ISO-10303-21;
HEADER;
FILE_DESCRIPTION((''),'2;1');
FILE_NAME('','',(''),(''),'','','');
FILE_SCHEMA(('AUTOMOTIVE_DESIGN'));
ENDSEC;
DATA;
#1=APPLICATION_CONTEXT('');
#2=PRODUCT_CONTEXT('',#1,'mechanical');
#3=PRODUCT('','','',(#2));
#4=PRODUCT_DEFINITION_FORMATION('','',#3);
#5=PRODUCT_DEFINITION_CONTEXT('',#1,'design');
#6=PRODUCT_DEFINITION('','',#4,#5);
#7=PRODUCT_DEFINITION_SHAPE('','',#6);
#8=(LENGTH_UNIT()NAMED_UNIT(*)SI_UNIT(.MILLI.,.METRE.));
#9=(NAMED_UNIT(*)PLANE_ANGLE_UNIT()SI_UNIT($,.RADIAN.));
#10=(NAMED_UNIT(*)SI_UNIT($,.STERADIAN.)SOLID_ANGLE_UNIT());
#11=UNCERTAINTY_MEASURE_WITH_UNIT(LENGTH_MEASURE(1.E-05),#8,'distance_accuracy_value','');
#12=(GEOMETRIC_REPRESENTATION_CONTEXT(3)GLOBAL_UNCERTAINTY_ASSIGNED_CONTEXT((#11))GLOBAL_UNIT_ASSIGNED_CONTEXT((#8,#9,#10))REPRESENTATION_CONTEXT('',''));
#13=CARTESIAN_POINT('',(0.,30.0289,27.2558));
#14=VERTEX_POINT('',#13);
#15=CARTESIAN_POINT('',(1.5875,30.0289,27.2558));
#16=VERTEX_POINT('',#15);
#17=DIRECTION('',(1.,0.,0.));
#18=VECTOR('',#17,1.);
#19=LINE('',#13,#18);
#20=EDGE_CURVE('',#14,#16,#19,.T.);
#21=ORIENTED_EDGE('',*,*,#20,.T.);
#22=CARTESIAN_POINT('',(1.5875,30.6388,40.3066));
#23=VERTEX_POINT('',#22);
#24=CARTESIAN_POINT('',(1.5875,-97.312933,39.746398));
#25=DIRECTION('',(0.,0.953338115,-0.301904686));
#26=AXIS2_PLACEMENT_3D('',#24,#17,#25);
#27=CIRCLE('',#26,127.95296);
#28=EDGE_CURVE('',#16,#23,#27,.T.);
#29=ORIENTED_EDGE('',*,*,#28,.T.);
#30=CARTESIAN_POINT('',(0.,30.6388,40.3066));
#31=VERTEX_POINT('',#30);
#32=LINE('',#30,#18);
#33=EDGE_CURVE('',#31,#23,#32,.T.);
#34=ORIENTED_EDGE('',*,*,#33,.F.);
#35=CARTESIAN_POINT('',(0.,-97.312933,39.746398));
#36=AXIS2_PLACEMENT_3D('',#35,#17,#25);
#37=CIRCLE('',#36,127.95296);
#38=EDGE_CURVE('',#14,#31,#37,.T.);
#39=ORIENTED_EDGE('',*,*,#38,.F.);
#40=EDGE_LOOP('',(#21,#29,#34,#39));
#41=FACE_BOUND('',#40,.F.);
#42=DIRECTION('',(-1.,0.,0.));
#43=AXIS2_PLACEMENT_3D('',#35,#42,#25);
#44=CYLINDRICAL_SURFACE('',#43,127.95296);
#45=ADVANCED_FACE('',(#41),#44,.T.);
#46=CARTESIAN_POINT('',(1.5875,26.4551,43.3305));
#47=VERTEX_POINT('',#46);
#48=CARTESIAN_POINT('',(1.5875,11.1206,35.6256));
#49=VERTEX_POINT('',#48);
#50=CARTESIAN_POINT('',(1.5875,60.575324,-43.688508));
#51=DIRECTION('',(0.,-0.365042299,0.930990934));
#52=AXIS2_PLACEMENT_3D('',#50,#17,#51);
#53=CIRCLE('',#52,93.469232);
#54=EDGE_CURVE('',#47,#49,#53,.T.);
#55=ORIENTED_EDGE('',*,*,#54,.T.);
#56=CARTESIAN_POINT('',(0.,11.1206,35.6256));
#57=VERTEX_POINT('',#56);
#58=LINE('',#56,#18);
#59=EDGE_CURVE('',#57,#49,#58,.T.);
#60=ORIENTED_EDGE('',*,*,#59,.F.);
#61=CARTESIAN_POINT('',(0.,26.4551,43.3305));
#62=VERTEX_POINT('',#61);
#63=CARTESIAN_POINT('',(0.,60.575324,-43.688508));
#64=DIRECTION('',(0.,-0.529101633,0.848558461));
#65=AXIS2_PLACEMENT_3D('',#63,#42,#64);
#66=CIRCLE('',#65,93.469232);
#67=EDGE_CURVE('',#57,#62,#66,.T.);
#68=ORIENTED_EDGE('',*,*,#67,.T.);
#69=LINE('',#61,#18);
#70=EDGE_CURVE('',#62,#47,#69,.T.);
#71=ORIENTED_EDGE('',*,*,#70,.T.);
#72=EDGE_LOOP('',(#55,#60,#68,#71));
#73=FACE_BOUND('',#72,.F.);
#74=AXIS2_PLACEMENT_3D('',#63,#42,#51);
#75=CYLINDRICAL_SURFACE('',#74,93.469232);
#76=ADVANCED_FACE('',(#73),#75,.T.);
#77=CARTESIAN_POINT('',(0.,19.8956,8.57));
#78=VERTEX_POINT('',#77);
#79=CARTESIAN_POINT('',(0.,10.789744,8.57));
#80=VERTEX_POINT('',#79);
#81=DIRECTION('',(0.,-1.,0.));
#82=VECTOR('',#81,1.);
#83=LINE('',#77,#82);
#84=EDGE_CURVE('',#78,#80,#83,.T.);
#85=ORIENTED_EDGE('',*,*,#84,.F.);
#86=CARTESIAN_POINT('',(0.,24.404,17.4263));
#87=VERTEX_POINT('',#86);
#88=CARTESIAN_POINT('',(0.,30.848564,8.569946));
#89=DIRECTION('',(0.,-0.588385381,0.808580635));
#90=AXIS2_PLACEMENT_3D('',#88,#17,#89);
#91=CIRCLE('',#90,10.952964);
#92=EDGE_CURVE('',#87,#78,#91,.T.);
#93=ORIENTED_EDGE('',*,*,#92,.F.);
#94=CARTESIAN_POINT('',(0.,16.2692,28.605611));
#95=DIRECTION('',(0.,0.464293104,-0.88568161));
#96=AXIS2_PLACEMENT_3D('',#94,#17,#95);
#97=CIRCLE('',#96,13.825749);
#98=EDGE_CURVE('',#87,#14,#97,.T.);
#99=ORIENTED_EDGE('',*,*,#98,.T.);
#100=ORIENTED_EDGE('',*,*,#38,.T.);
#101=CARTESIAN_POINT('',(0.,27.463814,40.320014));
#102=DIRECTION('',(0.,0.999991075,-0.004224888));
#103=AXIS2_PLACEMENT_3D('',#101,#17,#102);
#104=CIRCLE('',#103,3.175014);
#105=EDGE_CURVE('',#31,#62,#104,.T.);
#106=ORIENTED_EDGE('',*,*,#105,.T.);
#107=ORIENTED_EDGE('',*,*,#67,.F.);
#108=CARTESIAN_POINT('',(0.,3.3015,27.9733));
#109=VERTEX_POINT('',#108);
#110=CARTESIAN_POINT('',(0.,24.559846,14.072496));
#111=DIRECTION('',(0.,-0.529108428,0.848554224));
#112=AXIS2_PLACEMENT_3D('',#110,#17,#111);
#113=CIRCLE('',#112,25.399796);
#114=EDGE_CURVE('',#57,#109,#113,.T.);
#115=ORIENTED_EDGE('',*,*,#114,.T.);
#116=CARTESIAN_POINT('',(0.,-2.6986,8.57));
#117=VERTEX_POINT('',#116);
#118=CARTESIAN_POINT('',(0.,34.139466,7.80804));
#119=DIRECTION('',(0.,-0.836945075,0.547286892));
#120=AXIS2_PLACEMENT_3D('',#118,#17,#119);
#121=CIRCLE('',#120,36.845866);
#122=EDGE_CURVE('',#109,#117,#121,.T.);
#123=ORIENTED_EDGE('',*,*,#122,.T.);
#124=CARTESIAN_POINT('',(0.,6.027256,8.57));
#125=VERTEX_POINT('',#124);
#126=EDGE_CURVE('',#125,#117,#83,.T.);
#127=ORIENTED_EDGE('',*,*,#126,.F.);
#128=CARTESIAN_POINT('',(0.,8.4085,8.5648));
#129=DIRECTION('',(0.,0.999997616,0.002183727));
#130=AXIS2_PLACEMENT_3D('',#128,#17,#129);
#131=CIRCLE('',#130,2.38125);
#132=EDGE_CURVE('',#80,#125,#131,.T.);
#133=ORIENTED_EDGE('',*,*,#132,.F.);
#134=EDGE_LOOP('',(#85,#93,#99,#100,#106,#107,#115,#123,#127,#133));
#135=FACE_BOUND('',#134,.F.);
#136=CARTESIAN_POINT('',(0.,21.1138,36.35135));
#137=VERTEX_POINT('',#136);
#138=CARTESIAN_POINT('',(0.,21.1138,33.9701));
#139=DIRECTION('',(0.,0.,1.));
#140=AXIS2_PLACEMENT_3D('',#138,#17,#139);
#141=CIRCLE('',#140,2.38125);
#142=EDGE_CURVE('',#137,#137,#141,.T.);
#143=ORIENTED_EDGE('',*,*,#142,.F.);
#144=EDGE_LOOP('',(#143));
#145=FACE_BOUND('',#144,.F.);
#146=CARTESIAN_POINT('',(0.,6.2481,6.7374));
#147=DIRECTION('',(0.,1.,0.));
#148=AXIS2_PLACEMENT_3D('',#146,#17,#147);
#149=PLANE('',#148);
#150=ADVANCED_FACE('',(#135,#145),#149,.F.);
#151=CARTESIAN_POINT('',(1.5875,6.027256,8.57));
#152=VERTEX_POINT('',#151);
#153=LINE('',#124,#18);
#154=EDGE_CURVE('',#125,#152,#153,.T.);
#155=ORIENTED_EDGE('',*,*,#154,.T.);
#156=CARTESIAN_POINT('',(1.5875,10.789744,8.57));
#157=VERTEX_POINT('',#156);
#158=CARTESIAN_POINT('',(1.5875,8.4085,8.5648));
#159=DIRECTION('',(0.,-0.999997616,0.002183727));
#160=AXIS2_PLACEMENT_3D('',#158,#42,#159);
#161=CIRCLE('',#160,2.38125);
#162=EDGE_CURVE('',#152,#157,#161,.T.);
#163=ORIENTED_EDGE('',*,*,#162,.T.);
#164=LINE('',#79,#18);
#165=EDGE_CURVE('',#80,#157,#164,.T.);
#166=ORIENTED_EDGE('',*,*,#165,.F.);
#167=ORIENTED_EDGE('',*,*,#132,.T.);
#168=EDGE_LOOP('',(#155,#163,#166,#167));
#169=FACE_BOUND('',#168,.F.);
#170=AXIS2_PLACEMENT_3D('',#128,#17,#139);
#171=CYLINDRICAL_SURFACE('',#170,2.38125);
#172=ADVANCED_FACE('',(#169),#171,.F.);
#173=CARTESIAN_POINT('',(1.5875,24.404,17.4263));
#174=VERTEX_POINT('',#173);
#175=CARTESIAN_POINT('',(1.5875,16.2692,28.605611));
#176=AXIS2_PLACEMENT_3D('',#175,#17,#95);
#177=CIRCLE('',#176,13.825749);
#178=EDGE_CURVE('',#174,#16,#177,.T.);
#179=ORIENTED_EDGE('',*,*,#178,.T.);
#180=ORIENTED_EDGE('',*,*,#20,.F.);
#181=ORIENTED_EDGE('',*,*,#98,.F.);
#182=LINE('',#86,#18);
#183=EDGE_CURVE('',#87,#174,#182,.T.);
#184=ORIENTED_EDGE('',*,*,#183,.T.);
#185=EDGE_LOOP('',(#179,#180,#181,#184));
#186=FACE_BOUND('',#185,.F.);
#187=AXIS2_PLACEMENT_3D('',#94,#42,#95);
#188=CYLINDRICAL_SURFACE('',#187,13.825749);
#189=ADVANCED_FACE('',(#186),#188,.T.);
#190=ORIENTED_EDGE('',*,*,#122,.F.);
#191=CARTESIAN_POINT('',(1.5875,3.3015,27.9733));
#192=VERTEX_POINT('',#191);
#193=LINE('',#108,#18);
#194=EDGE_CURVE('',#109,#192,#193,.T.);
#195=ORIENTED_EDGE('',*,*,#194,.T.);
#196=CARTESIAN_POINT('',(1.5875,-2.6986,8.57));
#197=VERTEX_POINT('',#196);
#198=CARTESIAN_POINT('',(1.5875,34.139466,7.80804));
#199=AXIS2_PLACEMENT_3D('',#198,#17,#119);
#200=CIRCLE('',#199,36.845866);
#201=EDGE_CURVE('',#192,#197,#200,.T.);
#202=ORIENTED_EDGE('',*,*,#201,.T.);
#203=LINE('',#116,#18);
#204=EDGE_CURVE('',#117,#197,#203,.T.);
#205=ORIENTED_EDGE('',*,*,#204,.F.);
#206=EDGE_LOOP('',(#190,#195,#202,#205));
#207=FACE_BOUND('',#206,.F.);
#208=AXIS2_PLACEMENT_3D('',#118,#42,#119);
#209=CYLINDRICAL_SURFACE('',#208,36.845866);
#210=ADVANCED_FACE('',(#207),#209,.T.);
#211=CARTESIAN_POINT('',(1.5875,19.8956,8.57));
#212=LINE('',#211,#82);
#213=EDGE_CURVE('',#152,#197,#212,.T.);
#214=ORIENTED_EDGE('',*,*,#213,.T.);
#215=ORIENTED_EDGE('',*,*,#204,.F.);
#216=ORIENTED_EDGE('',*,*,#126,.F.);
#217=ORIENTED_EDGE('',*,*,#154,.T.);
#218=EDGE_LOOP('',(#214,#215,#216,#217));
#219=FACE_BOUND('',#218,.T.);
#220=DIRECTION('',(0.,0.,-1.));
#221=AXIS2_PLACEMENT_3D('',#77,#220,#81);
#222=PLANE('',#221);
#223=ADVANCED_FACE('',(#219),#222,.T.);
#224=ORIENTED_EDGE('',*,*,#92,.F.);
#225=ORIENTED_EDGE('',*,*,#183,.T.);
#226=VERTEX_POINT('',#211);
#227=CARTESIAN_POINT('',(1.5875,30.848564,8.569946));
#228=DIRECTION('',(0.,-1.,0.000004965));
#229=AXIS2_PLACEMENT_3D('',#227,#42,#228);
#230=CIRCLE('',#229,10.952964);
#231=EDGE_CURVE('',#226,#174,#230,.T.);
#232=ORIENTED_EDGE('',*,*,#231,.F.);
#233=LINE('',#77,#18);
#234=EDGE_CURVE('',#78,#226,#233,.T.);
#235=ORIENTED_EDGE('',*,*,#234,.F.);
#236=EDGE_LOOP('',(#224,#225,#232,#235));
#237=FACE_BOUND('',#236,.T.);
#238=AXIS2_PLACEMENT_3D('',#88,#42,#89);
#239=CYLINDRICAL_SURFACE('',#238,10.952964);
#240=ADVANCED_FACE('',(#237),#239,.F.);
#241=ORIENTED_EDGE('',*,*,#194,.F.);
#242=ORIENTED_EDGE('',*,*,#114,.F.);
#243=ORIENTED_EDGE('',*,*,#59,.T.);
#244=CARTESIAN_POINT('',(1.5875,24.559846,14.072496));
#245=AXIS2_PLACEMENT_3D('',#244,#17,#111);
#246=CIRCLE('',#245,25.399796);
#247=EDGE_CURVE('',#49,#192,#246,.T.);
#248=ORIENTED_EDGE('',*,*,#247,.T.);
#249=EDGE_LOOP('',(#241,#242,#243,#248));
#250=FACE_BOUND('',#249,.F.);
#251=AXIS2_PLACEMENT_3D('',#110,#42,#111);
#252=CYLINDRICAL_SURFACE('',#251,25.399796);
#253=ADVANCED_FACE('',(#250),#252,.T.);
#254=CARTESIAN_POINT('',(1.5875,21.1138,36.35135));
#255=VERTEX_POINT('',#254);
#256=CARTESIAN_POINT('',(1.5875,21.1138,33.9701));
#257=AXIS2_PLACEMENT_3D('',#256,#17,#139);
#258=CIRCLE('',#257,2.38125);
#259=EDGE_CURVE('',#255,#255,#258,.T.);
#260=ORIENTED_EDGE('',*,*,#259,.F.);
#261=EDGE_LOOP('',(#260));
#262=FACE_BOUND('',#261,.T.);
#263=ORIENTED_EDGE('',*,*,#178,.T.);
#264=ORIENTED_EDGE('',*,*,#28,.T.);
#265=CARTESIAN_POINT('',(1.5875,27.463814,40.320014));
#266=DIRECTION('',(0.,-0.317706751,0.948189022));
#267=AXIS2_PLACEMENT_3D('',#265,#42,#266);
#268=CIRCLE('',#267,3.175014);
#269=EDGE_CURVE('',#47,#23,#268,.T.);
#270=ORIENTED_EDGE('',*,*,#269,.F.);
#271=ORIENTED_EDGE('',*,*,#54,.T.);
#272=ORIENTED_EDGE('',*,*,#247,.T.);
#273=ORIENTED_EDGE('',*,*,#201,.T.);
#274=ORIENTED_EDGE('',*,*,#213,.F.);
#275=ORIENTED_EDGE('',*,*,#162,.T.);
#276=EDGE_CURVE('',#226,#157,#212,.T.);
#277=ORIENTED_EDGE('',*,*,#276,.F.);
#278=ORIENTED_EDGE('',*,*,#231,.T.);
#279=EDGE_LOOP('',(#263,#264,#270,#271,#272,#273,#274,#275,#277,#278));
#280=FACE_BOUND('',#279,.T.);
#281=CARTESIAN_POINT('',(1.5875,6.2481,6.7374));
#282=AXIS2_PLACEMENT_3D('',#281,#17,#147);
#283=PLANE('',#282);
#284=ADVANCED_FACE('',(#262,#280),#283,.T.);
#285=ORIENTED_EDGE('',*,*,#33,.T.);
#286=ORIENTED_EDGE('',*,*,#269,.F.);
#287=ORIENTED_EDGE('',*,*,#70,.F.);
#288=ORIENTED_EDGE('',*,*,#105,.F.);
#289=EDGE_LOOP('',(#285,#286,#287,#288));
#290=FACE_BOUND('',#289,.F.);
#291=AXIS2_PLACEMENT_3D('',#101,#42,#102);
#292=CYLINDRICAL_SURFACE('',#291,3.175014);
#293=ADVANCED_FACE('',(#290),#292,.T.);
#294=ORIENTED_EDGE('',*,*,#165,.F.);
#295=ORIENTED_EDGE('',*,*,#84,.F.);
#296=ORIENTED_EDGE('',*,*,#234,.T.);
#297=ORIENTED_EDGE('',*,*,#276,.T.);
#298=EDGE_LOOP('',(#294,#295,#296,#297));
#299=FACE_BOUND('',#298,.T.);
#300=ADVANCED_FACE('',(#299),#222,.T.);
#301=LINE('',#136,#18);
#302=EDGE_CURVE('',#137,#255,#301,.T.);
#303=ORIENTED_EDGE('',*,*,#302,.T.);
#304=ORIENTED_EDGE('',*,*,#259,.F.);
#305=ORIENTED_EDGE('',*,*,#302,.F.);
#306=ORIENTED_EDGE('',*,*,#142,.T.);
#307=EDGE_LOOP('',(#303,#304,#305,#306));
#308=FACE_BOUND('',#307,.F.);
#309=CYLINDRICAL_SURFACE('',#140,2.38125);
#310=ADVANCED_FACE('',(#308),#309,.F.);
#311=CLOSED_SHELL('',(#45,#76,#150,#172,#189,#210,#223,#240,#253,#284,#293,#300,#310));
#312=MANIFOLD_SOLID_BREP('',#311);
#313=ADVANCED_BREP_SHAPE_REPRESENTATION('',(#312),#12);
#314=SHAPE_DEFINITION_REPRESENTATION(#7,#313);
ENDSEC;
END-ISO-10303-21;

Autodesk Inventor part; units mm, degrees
ref_plane "YZ Plane" through (0, 0, 0) normal (1, 0, 0) x (0, 1, 0)
ref_plane "XZ Plane" through (0, 0, 0) normal (0, 1, 0) x (-1, 0, 0)
ref_plane "XY Plane" through (0, 0, 0) normal (0, 0, 1) x (1, 0, 0)
sketch "Sketch1" plane through (0, 6.2481, 6.7374) normal (1, 0, 0) x (0, 1, 0)
  line L0 (21.1383, 36.7567) -> (20.6141, 36.7567)
  arc A0 (24.3907, 33.5692) -> (18.0407, 33.5826) centre (21.2157, 33.5826) ccw
  arc A1 (14.8657, -15.4374) -> (16.4404, -11.3937) centre (-103.5619, 33.0092) ccw
  arc A2 (18.4214, -5.6206) -> (14.8657, -28.6257) centre (91.0657, -28.6257) ccw
  arc A3 (20.207, 36.5931) -> (4.8725, 28.8882) centre (54.3249, -50.4207) ccw
  arc A4 (18.4214, -5.6206) -> (24.3907, 33.5692) centre (-103.5619, 33.0092) ccw
  line L1 (14.8657, 1.8326) -> (14.8657, 27.2326)
  line L2 (14.8657, 1.8326) -> (14.8657, 33.5826)
  line L3 (-10.5343, 1.8326) -> (14.8657, 1.8326) construction
  line L4 (-10.5343, 1.8326) -> (-10.5343, 27.2326)
  line L5 (-10.5343, 1.8326) -> (-23.2343, 1.8326)
  line L6 (-10.5343, 1.8326) -> (-10.5395, -10.8674)
  line L7 (-10.5395, -10.8674) -> (2.1605, -10.8727)
  line L8 (21.2157, 33.5826) -> (19.8929, 33.5826)
  line L9 (14.8657, 33.5826) -> (21.2157, 33.5826)
  arc A5 (-6.7994, 20.2847) -> (-12.9991, 12.2415) centre (9.812, 1.0696) ccw
  line L10 (14.8657, 33.5826) -> (-10.5343, 33.5826)
  line L11 (2.1605, -10.8727) -> (2.1605, -17.9797)
  line L12 (2.1605, -17.9797) -> (10.4725, -17.9797)
  line L13 (2.1605, -17.9797) -> (-5.7795, -17.9797)
  line L14 (-8.9545, -14.8047) -> (-8.9545, 1.0703)
  line L15 (13.6475, -14.8047) -> (13.6475, 1.8326)
  arc A6 (-2.9466, 21.2359) -> (-8.9545, 1.0703) centre (27.8921, 1.0703) ccw
  arc A7 (4.8725, 28.8882) -> (-2.9466, 21.2359) centre (18.3119, 7.3349) ccw
  arc A8 (16.4403, 9.623) -> (23.7808, 20.5184) centre (10.0212, 21.8681) ccw
  arc A9 (18.1559, 10.6889) -> (13.6475, 1.8326) centre (24.6004, 1.8326) ccw
  arc A10 (10.4725, -17.9797) -> (13.6475, -14.8047) centre (10.4725, -14.8047) ccw
  arc A11 (-8.9545, -14.8047) -> (-5.7795, -17.9797) centre (-5.7795, -14.8047) ccw
  line L16 (2.1605, -10.8727) -> (2.1605, 1.8273)
  line L17 (13.6475, 1.8326) -> (-8.9467, 1.8326)
  point P0 (0, 0)
  point P1 (13.6475, -17.9797)
  point P2 (-8.9545, -17.9797)
  point P3 (-8.9545, -10.868)
  point P4 (19.8992, 36.4718)
  dimension "d9" = 25.4
  dimension "d7" = 12.7
  dimension "d11" = 6.35
  dimension "d12" = 6.35
  dimension "d8" = 31.75
  dimension "d10" = 25.4
  dimension "d5" = 25.4
  dimension "d6" = 12.7
  dimension "d4" = 25.4
  dimension "d3" = 19.05
  dimension "d2" = 25.4
  dimension "d1" = 3.175
  dimension "d0" = 12.7
extrude "Extrusion1" add sketch "Sketch1" along normal blind 1.5875 contours A4 A8 A9 L1 L2 L9 A0 A3 | A0 L9 L10 A3 | A9 L17 A6 A7 A3 L10 L2 L1
hole "Hole1" at (0, 21.1138, 33.9701) at (0, 8.4085, -4.1352) at (0, 8.4085, 8.5648) direction (1, 0, 0) diameter 4.7625 end through all
properties part number "sled-inner"
